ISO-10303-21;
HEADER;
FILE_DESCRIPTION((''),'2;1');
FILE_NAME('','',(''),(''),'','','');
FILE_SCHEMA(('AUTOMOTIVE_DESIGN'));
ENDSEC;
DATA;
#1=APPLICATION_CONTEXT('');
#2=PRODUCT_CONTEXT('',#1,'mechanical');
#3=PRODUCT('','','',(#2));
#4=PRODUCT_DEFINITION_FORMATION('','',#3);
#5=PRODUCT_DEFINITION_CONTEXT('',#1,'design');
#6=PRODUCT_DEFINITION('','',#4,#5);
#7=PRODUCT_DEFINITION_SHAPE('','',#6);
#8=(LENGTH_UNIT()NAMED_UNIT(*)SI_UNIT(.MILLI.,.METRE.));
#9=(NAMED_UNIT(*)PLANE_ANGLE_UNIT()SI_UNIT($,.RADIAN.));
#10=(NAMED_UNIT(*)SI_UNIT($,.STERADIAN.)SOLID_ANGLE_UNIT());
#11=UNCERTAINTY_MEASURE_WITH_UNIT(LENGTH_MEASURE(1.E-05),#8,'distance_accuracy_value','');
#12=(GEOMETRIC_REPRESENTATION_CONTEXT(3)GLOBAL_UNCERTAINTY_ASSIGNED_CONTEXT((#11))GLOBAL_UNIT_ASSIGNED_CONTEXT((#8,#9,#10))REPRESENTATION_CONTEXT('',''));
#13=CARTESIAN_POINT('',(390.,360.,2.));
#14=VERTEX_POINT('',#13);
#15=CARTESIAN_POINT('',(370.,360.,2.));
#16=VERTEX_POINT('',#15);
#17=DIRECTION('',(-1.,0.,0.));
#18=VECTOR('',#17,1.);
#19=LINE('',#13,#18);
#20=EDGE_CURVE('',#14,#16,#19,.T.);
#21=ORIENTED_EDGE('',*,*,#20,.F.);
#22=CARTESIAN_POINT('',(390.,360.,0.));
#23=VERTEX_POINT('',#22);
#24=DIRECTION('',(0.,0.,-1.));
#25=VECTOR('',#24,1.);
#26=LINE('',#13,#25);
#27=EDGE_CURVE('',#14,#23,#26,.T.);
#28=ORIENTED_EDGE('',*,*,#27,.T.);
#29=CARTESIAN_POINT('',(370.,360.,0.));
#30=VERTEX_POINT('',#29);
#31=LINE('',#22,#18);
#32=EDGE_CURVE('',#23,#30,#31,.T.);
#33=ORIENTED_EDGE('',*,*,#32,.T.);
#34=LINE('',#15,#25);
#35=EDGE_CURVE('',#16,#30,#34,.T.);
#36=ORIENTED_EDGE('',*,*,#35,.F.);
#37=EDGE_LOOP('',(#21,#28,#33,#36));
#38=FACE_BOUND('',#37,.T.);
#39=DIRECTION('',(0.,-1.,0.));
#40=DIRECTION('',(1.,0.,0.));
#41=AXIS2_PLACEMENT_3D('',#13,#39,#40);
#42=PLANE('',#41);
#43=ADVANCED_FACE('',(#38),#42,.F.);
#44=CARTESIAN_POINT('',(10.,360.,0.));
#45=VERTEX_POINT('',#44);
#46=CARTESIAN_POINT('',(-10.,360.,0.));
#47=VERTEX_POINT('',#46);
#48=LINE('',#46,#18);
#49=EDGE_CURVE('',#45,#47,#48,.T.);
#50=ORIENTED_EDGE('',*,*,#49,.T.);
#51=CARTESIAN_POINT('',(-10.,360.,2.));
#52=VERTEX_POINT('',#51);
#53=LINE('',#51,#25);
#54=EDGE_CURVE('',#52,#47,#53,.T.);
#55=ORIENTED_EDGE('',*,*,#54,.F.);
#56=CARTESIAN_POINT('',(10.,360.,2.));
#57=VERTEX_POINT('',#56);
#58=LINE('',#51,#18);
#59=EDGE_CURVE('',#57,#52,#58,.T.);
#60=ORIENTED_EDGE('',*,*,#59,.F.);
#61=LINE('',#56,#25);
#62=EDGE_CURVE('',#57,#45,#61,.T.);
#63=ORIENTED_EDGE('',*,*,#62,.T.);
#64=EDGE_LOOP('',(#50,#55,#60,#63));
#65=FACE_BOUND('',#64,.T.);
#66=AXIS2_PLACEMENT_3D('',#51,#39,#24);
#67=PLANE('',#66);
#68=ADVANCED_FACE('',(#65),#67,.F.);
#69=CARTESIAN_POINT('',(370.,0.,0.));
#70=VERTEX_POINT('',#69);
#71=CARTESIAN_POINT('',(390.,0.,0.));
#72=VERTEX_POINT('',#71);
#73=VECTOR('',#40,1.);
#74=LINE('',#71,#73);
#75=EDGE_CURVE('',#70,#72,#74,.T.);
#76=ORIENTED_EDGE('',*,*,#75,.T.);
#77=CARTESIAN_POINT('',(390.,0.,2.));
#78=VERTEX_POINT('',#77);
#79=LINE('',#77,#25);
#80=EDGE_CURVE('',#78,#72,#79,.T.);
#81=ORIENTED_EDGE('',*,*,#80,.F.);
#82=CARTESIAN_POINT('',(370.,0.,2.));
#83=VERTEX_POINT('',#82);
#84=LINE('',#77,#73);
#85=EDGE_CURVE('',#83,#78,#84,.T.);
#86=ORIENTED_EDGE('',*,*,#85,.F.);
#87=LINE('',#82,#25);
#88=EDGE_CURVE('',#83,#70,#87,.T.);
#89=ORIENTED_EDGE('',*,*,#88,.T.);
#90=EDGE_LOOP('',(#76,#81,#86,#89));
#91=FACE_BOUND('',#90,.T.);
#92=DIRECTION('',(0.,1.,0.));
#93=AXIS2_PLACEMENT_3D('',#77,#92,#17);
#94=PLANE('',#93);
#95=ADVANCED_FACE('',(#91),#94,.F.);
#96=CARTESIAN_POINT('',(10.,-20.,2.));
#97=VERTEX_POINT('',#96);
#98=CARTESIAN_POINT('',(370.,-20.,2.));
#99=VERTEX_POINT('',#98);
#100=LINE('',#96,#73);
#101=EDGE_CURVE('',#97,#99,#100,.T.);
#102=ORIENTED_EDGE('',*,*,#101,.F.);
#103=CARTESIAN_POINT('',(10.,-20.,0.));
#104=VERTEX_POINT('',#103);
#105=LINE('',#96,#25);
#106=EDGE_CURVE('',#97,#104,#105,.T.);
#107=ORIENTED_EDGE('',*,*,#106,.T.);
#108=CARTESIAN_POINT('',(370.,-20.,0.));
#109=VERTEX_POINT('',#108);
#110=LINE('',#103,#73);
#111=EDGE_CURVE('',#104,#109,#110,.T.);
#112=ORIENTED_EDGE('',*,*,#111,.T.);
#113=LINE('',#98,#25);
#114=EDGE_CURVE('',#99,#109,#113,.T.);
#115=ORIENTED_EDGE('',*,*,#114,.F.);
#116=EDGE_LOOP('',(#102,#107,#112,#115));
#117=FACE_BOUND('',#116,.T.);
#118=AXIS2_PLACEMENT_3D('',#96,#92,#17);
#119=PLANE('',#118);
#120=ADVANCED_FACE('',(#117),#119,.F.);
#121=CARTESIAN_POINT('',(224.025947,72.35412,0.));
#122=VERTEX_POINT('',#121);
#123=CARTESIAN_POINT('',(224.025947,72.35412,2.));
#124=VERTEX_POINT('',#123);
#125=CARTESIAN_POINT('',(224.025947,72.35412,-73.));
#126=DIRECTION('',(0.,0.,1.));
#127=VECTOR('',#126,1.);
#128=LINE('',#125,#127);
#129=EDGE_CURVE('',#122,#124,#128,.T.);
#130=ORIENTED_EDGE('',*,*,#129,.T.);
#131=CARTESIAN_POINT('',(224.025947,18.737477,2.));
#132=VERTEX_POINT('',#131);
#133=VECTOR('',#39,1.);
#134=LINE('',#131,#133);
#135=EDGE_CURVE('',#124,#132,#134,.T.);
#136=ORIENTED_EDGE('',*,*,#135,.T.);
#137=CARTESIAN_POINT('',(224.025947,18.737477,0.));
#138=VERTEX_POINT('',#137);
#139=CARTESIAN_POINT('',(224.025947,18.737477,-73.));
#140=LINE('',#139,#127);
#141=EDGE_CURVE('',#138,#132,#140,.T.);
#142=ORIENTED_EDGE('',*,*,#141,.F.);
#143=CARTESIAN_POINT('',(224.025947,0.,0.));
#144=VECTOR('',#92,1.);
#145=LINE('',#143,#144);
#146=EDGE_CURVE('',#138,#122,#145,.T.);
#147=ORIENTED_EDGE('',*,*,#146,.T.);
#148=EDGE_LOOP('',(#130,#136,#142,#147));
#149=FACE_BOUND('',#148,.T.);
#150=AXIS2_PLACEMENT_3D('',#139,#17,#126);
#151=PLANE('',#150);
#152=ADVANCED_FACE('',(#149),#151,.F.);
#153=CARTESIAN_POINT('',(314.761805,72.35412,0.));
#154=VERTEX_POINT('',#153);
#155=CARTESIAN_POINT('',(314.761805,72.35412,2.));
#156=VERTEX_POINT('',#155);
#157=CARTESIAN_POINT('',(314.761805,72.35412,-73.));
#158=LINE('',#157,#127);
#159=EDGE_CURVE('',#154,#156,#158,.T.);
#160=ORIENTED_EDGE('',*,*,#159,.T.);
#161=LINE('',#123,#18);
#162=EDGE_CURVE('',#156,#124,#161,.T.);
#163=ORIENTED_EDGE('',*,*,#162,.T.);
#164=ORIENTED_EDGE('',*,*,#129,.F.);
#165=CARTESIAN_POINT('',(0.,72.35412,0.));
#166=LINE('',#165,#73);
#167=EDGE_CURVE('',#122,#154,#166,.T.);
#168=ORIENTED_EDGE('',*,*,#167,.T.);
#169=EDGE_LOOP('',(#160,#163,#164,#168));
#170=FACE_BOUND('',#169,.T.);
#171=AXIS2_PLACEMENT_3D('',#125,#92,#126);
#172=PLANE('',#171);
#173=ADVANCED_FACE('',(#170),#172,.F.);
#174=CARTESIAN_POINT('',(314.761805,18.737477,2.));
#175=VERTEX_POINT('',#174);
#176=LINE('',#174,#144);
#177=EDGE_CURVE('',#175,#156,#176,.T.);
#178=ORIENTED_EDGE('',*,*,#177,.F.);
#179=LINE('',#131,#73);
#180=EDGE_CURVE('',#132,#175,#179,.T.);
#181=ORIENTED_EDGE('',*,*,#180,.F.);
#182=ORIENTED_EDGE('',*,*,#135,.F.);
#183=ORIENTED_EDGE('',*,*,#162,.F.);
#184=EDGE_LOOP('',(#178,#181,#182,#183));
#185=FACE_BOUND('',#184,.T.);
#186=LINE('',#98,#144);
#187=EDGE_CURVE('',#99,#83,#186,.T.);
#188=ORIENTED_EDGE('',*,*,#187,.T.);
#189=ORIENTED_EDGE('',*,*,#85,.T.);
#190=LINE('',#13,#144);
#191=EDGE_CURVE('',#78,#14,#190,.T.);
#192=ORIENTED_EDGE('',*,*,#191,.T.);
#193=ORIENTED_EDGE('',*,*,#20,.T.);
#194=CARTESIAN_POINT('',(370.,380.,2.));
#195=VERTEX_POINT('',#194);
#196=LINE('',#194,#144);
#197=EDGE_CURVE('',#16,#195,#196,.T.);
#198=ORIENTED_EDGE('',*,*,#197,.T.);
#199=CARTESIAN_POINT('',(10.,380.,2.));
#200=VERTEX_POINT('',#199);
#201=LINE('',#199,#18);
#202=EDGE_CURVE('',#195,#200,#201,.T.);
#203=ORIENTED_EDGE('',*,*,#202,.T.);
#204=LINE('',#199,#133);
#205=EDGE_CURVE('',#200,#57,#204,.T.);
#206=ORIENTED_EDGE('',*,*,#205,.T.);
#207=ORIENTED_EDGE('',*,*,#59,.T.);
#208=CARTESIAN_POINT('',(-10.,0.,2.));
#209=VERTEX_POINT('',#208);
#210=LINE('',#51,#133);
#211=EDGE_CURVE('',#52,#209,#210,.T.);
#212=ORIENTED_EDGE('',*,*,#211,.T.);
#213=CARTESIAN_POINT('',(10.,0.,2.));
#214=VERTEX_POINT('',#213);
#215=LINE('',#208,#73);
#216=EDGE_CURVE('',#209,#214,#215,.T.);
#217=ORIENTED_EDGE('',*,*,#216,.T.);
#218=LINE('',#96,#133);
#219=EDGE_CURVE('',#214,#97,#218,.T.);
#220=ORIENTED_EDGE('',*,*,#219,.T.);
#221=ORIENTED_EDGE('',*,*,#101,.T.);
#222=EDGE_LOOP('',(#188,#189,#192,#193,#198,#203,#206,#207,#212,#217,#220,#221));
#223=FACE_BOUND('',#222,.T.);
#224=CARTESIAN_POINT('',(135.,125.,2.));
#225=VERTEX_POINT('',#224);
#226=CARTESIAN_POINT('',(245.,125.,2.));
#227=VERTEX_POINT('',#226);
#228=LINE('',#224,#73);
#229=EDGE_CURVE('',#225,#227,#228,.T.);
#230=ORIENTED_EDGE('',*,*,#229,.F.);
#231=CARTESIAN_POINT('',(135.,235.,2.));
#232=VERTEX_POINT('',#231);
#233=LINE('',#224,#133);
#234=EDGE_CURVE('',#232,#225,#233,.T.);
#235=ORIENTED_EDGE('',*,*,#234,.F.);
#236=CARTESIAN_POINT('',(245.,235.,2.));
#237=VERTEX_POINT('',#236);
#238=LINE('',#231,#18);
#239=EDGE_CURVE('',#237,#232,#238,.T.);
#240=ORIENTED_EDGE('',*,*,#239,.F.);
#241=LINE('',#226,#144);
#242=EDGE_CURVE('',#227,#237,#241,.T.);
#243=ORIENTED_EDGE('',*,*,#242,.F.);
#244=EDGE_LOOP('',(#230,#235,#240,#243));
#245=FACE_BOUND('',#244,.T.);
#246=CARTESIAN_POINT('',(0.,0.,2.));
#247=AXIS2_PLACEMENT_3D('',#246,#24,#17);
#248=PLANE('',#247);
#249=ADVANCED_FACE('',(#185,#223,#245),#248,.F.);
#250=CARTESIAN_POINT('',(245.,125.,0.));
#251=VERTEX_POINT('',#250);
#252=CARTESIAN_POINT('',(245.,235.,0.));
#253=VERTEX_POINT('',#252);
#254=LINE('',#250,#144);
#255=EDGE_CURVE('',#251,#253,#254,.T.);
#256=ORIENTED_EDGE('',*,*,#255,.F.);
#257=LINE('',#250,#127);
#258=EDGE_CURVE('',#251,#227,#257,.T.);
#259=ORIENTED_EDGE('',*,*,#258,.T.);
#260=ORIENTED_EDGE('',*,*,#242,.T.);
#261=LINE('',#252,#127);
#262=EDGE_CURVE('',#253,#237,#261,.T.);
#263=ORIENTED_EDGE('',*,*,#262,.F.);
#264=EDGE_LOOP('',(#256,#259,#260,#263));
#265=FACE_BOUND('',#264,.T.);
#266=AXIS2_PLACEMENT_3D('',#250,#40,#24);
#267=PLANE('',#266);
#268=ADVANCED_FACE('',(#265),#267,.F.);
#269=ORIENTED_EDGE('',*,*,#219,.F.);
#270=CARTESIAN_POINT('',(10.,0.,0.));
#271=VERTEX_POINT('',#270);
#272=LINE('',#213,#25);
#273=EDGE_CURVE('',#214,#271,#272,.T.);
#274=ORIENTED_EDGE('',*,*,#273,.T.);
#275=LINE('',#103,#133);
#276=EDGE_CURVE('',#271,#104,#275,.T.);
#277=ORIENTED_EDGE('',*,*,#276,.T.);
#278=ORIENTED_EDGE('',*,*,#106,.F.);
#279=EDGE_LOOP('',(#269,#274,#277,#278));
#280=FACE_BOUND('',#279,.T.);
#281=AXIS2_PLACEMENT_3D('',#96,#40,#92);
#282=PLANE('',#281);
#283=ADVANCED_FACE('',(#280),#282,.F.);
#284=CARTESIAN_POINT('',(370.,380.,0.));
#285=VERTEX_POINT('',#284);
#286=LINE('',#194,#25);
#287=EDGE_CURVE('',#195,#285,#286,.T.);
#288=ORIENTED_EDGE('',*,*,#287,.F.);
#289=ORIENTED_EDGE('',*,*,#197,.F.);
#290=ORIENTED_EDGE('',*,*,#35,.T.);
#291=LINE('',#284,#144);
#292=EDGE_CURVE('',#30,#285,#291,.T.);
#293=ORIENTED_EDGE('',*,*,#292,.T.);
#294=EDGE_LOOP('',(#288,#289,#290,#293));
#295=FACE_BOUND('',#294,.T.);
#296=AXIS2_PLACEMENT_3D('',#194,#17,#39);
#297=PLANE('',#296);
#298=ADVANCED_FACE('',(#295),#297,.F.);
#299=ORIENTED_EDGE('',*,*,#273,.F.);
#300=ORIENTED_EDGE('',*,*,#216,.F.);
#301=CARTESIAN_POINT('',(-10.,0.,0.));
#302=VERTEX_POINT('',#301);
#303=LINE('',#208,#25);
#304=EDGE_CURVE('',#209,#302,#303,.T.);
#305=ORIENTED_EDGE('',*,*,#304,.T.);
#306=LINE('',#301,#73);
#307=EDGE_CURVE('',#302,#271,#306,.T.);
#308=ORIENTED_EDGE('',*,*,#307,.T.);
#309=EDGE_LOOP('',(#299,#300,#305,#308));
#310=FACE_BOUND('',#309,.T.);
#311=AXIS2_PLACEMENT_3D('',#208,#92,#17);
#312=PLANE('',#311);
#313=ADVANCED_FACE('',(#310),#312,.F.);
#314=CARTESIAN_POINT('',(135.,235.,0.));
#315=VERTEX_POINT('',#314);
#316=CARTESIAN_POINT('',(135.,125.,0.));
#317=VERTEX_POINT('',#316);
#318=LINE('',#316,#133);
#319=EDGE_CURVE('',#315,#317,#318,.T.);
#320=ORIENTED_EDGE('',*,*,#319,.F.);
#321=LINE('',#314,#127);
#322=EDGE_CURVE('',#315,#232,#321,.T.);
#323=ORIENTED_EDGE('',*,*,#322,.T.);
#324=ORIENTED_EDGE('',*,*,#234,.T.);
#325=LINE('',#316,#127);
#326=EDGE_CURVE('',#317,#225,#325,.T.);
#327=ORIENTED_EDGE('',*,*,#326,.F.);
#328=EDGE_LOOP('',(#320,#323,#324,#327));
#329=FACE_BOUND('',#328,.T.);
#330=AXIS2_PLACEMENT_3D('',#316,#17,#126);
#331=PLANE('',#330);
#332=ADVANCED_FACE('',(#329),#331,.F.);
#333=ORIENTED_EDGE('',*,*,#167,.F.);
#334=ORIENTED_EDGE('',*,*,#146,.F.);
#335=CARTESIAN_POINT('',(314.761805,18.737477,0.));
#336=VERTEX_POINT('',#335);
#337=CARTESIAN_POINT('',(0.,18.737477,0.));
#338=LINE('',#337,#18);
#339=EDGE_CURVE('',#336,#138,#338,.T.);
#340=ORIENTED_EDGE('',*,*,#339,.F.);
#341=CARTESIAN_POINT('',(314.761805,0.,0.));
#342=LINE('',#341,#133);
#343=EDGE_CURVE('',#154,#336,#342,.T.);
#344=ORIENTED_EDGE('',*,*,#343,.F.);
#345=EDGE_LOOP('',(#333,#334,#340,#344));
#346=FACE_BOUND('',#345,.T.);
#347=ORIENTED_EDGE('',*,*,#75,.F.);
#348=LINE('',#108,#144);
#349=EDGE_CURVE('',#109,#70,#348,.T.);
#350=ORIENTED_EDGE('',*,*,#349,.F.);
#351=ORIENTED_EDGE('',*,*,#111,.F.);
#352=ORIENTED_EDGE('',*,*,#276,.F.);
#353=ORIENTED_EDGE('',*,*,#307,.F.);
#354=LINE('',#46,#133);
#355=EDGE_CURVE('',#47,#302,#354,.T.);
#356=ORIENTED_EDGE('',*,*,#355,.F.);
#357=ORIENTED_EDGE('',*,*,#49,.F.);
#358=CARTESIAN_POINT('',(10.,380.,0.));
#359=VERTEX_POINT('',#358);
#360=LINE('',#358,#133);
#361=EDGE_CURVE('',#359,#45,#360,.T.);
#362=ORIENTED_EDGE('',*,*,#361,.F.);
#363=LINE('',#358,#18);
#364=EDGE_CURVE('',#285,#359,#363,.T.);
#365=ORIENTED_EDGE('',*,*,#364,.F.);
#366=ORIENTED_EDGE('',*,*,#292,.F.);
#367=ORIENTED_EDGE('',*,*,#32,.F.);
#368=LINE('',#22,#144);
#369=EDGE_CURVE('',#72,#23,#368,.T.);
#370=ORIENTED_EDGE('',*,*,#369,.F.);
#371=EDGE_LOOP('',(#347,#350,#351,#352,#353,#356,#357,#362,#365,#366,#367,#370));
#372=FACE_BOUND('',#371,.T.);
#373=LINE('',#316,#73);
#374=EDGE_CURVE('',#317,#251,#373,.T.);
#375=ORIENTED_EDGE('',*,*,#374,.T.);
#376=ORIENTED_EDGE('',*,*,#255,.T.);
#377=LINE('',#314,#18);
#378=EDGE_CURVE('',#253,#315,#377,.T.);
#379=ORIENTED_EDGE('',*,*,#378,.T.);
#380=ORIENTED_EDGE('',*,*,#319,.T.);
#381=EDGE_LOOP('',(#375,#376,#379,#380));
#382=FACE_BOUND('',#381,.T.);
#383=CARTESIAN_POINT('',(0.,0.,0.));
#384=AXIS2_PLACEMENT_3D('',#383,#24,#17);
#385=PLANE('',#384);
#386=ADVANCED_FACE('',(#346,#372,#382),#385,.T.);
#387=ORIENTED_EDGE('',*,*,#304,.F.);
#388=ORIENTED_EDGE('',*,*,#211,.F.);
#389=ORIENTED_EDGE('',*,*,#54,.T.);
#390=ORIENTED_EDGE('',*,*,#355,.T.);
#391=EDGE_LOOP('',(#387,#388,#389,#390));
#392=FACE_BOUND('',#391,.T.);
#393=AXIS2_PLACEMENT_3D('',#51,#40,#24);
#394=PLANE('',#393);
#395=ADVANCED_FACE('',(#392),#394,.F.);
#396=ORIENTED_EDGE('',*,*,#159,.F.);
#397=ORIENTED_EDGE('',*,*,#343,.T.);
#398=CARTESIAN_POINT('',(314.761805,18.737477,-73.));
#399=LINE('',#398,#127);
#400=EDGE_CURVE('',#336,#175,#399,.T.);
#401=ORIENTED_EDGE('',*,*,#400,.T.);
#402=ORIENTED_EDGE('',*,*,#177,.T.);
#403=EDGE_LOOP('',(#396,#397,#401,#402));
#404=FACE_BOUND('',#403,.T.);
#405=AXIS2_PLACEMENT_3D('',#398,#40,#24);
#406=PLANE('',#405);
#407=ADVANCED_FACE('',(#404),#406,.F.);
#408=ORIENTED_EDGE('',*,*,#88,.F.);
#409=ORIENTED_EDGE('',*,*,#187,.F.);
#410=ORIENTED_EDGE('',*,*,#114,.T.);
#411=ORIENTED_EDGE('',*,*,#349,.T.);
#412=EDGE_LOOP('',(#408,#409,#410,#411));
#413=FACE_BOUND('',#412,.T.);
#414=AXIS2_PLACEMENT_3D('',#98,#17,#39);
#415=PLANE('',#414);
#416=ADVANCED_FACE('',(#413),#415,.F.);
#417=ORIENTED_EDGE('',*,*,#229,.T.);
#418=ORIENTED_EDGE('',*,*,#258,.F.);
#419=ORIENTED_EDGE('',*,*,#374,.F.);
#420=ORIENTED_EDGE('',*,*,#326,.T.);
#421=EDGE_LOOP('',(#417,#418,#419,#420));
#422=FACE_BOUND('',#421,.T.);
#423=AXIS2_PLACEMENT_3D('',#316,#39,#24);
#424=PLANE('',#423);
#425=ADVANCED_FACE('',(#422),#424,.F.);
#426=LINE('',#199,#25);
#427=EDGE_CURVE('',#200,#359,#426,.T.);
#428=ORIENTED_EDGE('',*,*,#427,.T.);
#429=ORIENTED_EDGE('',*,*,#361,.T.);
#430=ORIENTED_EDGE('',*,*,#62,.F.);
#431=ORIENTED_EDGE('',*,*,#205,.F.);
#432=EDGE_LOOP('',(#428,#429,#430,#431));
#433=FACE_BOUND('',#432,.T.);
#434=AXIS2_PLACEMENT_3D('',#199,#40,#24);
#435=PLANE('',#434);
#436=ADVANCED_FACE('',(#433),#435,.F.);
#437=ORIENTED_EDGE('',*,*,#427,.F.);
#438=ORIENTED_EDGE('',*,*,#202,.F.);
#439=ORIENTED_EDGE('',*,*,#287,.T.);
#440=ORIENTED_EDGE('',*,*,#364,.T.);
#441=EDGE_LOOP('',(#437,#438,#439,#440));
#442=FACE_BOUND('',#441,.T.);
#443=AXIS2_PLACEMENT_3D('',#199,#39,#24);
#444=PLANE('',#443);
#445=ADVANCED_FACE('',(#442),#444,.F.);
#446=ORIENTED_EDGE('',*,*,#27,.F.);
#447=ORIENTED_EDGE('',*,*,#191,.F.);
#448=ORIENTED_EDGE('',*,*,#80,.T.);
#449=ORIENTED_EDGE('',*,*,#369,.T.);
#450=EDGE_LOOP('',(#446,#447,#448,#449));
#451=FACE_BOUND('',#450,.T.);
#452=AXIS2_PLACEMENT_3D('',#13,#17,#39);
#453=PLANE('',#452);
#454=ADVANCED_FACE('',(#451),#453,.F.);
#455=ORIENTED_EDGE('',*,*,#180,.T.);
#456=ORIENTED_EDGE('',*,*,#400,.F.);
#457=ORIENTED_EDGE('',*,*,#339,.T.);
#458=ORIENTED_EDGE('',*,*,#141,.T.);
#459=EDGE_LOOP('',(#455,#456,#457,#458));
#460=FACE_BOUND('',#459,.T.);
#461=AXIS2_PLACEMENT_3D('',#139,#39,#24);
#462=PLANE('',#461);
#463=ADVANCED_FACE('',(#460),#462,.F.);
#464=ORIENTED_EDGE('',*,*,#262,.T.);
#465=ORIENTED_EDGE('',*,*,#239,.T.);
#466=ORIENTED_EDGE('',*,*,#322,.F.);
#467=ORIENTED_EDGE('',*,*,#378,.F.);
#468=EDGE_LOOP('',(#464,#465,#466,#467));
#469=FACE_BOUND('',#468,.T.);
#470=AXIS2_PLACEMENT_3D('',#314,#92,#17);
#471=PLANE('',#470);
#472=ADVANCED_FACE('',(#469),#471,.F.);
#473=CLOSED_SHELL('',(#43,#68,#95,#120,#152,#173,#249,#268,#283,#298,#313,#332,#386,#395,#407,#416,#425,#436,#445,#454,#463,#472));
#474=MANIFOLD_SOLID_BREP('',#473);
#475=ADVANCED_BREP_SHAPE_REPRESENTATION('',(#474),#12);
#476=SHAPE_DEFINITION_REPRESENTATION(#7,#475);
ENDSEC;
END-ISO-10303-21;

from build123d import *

# Parameters (mm, degrees)
EXTRUDE_1_DEPTH     = 2
SKETCH_2_W          = 110
SKETCH_2_H          = 110
CUT_EXTRUDE_1_DEPTH = 2
SKETCH_3_W          = 90.735858575
SKETCH_3_H          = 53.616643703
CUT_EXTRUDE_2_DEPTH = 75


with BuildPart() as part:
    # 草图1 → 凸台-拉伸1 (new body)
    with BuildSketch(Plane.XY):
        Polygon((10.000000001, 380), (370.000000001, 380), (370.000000001, 360), (390.000000001, 360), (390.000000001, 0), (370.000000001, 0), (370.000000001, -20), (10.000000001, -20), (10.000000001, 0), (-9.999999999, 0), (-9.999999999, 360), (10.000000001, 360), align=None)
    extrude(amount=EXTRUDE_1_DEPTH)

    # 草图2 → 切除-拉伸1 (cut)
    with BuildSketch(Plane.XY.offset(2)):
        with Locations((189.999999924, 180)):
            Rectangle(SKETCH_2_W, SKETCH_2_H)
    extrude(amount=-CUT_EXTRUDE_1_DEPTH, mode=Mode.SUBTRACT)

    # 草图3 → 切除-拉伸2 (cut)
    with BuildSketch(Plane.XY.offset(2)):
        with Locations((269.393876178, 45.545798569)):
            Rectangle(SKETCH_3_W, SKETCH_3_H)
    extrude(amount=-CUT_EXTRUDE_2_DEPTH, mode=Mode.SUBTRACT)


solid = part.part
